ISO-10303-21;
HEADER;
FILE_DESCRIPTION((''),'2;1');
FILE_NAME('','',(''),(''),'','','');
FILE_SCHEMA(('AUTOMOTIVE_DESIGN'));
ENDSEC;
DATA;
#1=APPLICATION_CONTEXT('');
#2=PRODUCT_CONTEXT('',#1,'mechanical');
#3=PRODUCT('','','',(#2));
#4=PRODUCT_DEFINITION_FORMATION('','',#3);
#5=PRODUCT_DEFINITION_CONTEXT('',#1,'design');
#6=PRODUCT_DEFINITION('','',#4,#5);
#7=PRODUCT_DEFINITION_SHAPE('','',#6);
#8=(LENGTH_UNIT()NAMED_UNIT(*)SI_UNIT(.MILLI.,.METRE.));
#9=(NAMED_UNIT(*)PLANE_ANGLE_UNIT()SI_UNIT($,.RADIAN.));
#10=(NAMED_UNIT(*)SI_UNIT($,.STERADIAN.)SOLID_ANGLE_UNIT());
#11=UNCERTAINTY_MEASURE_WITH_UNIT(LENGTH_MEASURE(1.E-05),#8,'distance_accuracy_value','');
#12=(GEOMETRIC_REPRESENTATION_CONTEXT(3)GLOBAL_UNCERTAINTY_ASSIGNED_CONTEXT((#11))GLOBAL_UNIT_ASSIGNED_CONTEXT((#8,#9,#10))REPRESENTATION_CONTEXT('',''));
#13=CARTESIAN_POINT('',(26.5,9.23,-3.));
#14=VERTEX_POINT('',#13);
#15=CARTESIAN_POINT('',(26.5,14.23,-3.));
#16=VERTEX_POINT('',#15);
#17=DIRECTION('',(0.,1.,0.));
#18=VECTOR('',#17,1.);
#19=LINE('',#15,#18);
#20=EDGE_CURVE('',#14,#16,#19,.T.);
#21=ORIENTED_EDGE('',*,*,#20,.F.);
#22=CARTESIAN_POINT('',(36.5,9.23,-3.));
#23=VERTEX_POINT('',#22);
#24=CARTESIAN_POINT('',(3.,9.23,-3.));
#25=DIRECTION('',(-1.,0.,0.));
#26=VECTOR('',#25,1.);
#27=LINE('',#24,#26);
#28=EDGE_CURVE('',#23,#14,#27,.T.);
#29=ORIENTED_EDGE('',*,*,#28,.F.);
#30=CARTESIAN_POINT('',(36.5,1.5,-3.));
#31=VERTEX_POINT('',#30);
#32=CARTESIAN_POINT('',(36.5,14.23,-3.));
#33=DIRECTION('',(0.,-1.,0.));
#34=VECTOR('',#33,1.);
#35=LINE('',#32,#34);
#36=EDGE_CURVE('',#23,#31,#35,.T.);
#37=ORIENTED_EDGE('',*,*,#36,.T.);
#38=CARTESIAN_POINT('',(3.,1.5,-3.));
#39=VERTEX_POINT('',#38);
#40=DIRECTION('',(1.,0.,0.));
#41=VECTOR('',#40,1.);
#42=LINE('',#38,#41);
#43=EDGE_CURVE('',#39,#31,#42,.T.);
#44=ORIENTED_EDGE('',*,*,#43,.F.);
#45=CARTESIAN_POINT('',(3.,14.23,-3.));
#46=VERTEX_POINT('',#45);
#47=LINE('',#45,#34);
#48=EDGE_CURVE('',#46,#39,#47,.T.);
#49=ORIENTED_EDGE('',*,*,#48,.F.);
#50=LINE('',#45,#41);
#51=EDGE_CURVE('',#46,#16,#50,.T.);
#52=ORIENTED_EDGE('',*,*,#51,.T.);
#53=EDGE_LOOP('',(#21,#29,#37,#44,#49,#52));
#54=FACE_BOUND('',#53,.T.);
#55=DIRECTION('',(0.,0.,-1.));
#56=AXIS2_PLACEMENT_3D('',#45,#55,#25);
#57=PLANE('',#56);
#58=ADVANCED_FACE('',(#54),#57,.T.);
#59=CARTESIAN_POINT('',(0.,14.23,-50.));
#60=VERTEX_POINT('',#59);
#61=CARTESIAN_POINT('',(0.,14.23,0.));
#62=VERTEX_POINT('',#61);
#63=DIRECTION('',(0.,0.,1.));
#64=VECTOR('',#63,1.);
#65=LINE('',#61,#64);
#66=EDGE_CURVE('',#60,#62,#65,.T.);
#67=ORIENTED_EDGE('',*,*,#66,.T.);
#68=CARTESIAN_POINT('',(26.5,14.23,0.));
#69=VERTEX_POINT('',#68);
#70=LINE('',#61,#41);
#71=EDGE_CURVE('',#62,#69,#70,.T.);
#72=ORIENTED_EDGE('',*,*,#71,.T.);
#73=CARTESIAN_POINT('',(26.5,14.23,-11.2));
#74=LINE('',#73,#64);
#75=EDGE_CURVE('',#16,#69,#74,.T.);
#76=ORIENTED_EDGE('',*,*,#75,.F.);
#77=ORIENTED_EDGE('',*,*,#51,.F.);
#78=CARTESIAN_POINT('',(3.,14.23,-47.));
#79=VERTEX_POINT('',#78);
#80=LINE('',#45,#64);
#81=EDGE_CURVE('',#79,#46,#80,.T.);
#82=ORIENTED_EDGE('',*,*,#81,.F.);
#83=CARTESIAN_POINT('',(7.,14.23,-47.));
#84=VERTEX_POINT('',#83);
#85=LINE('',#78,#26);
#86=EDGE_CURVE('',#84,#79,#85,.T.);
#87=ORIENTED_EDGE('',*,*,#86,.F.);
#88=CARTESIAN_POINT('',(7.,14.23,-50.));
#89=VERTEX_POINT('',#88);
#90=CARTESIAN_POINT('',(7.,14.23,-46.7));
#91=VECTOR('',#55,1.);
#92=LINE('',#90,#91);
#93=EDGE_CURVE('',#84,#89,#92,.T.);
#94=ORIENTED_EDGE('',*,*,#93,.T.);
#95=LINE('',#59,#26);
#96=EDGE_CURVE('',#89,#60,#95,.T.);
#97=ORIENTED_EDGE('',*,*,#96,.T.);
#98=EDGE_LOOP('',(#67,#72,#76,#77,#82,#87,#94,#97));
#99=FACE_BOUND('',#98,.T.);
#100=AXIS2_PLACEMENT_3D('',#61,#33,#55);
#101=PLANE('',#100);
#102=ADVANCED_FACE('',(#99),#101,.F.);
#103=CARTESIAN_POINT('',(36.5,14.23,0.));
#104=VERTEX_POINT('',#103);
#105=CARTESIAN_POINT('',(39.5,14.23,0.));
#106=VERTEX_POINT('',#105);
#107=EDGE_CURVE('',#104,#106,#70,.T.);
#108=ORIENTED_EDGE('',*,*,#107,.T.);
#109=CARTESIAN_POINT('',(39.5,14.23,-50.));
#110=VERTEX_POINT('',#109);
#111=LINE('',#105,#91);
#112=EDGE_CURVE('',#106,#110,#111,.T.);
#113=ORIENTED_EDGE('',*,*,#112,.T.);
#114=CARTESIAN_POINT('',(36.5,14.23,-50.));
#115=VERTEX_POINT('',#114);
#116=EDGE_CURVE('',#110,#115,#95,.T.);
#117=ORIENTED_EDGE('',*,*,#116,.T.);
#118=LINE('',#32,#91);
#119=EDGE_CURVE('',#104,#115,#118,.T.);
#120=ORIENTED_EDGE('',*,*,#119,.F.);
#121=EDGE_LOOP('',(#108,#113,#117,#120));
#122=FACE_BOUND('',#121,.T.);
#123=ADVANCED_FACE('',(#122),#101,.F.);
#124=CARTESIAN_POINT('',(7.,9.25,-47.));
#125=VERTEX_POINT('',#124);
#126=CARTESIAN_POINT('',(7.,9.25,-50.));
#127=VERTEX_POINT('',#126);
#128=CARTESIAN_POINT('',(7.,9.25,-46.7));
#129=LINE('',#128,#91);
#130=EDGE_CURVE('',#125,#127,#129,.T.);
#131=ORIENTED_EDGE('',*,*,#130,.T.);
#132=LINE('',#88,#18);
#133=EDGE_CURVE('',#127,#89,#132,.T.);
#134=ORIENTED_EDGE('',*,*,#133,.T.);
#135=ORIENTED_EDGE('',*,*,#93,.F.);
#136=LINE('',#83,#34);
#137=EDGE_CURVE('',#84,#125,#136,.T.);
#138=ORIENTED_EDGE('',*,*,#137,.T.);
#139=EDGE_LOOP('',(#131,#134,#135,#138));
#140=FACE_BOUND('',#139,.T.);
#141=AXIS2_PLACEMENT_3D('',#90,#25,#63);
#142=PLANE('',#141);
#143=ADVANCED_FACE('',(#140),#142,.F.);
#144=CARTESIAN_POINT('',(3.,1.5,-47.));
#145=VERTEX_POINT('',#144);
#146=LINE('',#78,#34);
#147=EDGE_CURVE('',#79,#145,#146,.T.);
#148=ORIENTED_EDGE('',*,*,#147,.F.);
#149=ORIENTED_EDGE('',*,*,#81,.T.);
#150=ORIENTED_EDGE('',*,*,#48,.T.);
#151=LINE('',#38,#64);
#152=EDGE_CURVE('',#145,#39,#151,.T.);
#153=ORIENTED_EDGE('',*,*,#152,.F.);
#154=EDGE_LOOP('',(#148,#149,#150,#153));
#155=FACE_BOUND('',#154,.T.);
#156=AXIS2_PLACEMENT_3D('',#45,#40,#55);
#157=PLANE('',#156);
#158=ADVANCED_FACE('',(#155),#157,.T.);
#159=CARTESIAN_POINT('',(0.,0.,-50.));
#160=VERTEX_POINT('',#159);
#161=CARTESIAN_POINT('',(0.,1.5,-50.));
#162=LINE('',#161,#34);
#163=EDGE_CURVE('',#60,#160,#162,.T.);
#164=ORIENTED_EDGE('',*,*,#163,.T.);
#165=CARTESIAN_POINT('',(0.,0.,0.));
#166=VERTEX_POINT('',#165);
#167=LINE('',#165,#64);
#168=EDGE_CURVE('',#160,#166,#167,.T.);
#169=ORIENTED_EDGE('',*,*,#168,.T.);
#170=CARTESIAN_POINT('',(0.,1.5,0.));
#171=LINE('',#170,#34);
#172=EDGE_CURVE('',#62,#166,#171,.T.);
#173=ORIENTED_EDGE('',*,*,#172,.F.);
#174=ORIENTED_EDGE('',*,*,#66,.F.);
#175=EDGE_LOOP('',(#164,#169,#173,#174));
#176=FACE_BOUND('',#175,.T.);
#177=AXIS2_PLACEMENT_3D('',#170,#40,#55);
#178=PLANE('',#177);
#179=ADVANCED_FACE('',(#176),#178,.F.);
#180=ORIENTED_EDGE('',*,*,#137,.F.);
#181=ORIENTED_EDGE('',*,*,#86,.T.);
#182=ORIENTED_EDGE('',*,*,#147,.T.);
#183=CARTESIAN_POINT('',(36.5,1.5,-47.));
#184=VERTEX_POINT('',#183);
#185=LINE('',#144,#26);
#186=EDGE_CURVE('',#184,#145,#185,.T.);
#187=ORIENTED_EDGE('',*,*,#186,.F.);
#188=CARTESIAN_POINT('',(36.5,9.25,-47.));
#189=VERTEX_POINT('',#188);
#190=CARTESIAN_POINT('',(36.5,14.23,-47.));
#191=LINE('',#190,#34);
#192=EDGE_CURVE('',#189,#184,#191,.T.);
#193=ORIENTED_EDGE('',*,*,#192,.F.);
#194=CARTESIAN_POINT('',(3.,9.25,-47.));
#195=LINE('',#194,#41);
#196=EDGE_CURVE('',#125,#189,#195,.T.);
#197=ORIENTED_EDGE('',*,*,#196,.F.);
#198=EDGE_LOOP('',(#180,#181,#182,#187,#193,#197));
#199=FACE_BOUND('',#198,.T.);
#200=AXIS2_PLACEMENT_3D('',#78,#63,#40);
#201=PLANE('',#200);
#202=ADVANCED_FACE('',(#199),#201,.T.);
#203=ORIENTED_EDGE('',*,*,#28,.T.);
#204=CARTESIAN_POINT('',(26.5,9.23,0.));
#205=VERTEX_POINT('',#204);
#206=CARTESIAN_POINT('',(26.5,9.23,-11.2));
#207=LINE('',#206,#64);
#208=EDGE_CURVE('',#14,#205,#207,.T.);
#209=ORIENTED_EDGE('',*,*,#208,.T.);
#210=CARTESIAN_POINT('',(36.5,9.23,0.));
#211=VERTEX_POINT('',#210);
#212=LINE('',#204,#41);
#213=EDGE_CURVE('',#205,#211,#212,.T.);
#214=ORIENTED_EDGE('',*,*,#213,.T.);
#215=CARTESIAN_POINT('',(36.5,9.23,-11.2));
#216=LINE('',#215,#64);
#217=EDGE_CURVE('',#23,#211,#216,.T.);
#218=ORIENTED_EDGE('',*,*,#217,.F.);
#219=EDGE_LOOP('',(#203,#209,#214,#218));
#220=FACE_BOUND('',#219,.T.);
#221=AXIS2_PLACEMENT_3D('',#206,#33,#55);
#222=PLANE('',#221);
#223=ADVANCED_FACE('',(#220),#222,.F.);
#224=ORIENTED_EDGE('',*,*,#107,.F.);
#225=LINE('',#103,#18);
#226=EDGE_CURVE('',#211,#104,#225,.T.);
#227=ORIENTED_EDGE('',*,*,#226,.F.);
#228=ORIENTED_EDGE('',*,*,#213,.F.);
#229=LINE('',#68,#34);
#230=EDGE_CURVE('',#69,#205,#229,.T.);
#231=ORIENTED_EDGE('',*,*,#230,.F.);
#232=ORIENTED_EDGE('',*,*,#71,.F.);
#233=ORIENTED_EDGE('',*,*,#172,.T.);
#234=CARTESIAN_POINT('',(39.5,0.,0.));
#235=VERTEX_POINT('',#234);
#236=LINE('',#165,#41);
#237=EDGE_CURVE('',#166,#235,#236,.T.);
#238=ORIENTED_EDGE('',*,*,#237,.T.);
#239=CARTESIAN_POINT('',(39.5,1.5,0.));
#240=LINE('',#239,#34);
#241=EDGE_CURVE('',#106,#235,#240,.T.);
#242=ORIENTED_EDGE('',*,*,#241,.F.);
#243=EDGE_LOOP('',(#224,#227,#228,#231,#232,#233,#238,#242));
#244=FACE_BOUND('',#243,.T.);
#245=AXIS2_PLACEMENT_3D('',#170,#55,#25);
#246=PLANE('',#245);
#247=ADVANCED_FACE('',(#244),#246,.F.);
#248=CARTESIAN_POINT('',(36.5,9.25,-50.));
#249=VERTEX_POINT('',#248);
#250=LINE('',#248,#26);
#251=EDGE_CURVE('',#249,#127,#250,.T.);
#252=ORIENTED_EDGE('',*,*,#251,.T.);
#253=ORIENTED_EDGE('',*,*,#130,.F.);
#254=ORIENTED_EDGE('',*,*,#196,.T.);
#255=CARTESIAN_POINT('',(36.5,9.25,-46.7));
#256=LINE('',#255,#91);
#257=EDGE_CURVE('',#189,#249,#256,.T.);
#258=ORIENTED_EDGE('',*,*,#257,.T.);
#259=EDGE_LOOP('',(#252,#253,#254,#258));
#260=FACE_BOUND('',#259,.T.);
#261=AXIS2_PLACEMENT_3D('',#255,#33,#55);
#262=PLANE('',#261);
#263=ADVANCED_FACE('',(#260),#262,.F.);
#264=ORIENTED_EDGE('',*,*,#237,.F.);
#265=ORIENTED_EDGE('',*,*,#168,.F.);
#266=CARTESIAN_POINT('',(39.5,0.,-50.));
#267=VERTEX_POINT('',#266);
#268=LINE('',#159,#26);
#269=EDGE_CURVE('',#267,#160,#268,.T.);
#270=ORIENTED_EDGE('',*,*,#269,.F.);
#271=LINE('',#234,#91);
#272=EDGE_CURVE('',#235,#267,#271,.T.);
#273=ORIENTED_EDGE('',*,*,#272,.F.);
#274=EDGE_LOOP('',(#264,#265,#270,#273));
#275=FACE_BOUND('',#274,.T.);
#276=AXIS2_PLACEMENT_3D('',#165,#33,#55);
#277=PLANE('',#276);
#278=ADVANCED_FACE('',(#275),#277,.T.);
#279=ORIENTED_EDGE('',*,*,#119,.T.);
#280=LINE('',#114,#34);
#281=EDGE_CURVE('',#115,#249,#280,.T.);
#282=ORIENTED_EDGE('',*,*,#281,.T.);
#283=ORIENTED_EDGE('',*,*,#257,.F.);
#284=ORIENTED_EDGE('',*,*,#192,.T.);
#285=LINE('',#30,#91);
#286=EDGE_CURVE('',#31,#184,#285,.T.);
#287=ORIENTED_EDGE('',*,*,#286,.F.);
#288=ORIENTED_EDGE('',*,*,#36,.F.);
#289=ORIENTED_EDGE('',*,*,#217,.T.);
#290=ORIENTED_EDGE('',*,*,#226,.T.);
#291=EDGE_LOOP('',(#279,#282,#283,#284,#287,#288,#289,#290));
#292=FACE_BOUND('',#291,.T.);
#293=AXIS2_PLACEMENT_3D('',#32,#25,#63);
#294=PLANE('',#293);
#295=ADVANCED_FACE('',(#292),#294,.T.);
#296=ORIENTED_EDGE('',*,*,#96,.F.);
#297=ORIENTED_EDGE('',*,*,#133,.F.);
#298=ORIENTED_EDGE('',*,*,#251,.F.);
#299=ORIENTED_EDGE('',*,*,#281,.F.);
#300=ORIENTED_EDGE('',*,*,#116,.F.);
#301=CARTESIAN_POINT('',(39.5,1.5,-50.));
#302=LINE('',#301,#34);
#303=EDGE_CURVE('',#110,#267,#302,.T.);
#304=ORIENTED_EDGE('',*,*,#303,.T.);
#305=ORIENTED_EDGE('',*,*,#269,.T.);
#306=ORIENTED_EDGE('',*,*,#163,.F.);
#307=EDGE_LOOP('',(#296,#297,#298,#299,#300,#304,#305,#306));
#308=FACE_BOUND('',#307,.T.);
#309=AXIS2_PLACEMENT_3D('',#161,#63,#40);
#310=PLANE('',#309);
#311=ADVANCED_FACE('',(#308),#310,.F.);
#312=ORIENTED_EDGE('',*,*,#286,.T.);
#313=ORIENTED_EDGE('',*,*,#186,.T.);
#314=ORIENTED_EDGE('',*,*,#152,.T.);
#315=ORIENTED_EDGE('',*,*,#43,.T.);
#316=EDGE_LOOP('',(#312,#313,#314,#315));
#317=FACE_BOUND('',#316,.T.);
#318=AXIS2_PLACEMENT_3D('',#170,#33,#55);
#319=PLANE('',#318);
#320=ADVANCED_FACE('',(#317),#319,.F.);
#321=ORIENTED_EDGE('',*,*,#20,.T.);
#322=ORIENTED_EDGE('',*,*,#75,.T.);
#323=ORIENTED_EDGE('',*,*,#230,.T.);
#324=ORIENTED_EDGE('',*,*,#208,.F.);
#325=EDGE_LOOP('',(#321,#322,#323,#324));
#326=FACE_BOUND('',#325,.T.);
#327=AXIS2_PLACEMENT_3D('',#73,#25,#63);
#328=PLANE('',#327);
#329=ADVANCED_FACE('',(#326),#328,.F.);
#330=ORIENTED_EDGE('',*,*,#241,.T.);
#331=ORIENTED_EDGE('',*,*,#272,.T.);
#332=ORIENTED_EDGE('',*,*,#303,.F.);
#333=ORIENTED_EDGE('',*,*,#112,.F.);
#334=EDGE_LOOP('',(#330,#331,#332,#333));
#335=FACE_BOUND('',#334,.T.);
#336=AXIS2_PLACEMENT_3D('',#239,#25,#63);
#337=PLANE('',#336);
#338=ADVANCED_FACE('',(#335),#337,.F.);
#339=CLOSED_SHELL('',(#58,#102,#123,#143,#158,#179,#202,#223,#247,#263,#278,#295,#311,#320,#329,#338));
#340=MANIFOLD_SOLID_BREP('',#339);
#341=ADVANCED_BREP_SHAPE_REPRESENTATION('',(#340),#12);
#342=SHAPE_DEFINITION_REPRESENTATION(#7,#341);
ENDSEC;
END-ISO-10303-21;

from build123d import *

# Parameters (mm, degrees)
SKETCH1_W           = 39.5
SKETCH1_H           = 50
BOSS_EXTRUDE1_DEPTH = 1.5
SKETCH3_W           = 39.5
SKETCH3_H           = 50
SKETCH3_W_2         = 33.5
SKETCH3_H_2         = 44
BOSS_EXTRUDE2_DEPTH = 12.73
SKETCH6_W           = 10
SKETCH6_H           = 5
CUT_EXTRUDE2_DEPTH  = 11.2
SKETCH7_W           = 29.5
SKETCH7_H           = 4.98
CUT_EXTRUDE3_DEPTH  = 3.3


with BuildPart() as part:
    # Sketch1 → Boss-Extrude1 (new body)
    with BuildSketch(Plane(origin=(0, 0, 0), x_dir=(1, 0, 0), z_dir=(0, 1, 0))):
        with Locations((19.75, 25)):
            Rectangle(SKETCH1_W, SKETCH1_H)
    extrude(amount=BOSS_EXTRUDE1_DEPTH)

    # Sketch3 → Boss-Extrude2 (add)
    with BuildSketch(Plane(origin=(0, 1.5, 0), x_dir=(1, 0, 0), z_dir=(0, 1, 0))):
        with Locations((19.75, 25)):
            Rectangle(SKETCH3_W, SKETCH3_H)
        with Locations((19.75, 25)):
            Rectangle(SKETCH3_W_2, SKETCH3_H_2, mode=Mode.SUBTRACT)
    extrude(amount=BOSS_EXTRUDE2_DEPTH)

    # Sketch6 → Cut-Extrude2 (cut)
    with BuildSketch(Plane.XY):
        with Locations((31.5, 11.73)):
            Rectangle(SKETCH6_W, SKETCH6_H)
    extrude(amount=-CUT_EXTRUDE2_DEPTH, mode=Mode.SUBTRACT)

    # Sketch7 → Cut-Extrude3 (cut)
    with BuildSketch(Plane(origin=(0, 0, -50), x_dir=(-1, 0, 0), z_dir=(0, 0, -1))):
        with Locations((-21.75, 11.74)):
            Rectangle(SKETCH7_W, SKETCH7_H)
    extrude(amount=-CUT_EXTRUDE3_DEPTH, mode=Mode.SUBTRACT)


solid = part.part
